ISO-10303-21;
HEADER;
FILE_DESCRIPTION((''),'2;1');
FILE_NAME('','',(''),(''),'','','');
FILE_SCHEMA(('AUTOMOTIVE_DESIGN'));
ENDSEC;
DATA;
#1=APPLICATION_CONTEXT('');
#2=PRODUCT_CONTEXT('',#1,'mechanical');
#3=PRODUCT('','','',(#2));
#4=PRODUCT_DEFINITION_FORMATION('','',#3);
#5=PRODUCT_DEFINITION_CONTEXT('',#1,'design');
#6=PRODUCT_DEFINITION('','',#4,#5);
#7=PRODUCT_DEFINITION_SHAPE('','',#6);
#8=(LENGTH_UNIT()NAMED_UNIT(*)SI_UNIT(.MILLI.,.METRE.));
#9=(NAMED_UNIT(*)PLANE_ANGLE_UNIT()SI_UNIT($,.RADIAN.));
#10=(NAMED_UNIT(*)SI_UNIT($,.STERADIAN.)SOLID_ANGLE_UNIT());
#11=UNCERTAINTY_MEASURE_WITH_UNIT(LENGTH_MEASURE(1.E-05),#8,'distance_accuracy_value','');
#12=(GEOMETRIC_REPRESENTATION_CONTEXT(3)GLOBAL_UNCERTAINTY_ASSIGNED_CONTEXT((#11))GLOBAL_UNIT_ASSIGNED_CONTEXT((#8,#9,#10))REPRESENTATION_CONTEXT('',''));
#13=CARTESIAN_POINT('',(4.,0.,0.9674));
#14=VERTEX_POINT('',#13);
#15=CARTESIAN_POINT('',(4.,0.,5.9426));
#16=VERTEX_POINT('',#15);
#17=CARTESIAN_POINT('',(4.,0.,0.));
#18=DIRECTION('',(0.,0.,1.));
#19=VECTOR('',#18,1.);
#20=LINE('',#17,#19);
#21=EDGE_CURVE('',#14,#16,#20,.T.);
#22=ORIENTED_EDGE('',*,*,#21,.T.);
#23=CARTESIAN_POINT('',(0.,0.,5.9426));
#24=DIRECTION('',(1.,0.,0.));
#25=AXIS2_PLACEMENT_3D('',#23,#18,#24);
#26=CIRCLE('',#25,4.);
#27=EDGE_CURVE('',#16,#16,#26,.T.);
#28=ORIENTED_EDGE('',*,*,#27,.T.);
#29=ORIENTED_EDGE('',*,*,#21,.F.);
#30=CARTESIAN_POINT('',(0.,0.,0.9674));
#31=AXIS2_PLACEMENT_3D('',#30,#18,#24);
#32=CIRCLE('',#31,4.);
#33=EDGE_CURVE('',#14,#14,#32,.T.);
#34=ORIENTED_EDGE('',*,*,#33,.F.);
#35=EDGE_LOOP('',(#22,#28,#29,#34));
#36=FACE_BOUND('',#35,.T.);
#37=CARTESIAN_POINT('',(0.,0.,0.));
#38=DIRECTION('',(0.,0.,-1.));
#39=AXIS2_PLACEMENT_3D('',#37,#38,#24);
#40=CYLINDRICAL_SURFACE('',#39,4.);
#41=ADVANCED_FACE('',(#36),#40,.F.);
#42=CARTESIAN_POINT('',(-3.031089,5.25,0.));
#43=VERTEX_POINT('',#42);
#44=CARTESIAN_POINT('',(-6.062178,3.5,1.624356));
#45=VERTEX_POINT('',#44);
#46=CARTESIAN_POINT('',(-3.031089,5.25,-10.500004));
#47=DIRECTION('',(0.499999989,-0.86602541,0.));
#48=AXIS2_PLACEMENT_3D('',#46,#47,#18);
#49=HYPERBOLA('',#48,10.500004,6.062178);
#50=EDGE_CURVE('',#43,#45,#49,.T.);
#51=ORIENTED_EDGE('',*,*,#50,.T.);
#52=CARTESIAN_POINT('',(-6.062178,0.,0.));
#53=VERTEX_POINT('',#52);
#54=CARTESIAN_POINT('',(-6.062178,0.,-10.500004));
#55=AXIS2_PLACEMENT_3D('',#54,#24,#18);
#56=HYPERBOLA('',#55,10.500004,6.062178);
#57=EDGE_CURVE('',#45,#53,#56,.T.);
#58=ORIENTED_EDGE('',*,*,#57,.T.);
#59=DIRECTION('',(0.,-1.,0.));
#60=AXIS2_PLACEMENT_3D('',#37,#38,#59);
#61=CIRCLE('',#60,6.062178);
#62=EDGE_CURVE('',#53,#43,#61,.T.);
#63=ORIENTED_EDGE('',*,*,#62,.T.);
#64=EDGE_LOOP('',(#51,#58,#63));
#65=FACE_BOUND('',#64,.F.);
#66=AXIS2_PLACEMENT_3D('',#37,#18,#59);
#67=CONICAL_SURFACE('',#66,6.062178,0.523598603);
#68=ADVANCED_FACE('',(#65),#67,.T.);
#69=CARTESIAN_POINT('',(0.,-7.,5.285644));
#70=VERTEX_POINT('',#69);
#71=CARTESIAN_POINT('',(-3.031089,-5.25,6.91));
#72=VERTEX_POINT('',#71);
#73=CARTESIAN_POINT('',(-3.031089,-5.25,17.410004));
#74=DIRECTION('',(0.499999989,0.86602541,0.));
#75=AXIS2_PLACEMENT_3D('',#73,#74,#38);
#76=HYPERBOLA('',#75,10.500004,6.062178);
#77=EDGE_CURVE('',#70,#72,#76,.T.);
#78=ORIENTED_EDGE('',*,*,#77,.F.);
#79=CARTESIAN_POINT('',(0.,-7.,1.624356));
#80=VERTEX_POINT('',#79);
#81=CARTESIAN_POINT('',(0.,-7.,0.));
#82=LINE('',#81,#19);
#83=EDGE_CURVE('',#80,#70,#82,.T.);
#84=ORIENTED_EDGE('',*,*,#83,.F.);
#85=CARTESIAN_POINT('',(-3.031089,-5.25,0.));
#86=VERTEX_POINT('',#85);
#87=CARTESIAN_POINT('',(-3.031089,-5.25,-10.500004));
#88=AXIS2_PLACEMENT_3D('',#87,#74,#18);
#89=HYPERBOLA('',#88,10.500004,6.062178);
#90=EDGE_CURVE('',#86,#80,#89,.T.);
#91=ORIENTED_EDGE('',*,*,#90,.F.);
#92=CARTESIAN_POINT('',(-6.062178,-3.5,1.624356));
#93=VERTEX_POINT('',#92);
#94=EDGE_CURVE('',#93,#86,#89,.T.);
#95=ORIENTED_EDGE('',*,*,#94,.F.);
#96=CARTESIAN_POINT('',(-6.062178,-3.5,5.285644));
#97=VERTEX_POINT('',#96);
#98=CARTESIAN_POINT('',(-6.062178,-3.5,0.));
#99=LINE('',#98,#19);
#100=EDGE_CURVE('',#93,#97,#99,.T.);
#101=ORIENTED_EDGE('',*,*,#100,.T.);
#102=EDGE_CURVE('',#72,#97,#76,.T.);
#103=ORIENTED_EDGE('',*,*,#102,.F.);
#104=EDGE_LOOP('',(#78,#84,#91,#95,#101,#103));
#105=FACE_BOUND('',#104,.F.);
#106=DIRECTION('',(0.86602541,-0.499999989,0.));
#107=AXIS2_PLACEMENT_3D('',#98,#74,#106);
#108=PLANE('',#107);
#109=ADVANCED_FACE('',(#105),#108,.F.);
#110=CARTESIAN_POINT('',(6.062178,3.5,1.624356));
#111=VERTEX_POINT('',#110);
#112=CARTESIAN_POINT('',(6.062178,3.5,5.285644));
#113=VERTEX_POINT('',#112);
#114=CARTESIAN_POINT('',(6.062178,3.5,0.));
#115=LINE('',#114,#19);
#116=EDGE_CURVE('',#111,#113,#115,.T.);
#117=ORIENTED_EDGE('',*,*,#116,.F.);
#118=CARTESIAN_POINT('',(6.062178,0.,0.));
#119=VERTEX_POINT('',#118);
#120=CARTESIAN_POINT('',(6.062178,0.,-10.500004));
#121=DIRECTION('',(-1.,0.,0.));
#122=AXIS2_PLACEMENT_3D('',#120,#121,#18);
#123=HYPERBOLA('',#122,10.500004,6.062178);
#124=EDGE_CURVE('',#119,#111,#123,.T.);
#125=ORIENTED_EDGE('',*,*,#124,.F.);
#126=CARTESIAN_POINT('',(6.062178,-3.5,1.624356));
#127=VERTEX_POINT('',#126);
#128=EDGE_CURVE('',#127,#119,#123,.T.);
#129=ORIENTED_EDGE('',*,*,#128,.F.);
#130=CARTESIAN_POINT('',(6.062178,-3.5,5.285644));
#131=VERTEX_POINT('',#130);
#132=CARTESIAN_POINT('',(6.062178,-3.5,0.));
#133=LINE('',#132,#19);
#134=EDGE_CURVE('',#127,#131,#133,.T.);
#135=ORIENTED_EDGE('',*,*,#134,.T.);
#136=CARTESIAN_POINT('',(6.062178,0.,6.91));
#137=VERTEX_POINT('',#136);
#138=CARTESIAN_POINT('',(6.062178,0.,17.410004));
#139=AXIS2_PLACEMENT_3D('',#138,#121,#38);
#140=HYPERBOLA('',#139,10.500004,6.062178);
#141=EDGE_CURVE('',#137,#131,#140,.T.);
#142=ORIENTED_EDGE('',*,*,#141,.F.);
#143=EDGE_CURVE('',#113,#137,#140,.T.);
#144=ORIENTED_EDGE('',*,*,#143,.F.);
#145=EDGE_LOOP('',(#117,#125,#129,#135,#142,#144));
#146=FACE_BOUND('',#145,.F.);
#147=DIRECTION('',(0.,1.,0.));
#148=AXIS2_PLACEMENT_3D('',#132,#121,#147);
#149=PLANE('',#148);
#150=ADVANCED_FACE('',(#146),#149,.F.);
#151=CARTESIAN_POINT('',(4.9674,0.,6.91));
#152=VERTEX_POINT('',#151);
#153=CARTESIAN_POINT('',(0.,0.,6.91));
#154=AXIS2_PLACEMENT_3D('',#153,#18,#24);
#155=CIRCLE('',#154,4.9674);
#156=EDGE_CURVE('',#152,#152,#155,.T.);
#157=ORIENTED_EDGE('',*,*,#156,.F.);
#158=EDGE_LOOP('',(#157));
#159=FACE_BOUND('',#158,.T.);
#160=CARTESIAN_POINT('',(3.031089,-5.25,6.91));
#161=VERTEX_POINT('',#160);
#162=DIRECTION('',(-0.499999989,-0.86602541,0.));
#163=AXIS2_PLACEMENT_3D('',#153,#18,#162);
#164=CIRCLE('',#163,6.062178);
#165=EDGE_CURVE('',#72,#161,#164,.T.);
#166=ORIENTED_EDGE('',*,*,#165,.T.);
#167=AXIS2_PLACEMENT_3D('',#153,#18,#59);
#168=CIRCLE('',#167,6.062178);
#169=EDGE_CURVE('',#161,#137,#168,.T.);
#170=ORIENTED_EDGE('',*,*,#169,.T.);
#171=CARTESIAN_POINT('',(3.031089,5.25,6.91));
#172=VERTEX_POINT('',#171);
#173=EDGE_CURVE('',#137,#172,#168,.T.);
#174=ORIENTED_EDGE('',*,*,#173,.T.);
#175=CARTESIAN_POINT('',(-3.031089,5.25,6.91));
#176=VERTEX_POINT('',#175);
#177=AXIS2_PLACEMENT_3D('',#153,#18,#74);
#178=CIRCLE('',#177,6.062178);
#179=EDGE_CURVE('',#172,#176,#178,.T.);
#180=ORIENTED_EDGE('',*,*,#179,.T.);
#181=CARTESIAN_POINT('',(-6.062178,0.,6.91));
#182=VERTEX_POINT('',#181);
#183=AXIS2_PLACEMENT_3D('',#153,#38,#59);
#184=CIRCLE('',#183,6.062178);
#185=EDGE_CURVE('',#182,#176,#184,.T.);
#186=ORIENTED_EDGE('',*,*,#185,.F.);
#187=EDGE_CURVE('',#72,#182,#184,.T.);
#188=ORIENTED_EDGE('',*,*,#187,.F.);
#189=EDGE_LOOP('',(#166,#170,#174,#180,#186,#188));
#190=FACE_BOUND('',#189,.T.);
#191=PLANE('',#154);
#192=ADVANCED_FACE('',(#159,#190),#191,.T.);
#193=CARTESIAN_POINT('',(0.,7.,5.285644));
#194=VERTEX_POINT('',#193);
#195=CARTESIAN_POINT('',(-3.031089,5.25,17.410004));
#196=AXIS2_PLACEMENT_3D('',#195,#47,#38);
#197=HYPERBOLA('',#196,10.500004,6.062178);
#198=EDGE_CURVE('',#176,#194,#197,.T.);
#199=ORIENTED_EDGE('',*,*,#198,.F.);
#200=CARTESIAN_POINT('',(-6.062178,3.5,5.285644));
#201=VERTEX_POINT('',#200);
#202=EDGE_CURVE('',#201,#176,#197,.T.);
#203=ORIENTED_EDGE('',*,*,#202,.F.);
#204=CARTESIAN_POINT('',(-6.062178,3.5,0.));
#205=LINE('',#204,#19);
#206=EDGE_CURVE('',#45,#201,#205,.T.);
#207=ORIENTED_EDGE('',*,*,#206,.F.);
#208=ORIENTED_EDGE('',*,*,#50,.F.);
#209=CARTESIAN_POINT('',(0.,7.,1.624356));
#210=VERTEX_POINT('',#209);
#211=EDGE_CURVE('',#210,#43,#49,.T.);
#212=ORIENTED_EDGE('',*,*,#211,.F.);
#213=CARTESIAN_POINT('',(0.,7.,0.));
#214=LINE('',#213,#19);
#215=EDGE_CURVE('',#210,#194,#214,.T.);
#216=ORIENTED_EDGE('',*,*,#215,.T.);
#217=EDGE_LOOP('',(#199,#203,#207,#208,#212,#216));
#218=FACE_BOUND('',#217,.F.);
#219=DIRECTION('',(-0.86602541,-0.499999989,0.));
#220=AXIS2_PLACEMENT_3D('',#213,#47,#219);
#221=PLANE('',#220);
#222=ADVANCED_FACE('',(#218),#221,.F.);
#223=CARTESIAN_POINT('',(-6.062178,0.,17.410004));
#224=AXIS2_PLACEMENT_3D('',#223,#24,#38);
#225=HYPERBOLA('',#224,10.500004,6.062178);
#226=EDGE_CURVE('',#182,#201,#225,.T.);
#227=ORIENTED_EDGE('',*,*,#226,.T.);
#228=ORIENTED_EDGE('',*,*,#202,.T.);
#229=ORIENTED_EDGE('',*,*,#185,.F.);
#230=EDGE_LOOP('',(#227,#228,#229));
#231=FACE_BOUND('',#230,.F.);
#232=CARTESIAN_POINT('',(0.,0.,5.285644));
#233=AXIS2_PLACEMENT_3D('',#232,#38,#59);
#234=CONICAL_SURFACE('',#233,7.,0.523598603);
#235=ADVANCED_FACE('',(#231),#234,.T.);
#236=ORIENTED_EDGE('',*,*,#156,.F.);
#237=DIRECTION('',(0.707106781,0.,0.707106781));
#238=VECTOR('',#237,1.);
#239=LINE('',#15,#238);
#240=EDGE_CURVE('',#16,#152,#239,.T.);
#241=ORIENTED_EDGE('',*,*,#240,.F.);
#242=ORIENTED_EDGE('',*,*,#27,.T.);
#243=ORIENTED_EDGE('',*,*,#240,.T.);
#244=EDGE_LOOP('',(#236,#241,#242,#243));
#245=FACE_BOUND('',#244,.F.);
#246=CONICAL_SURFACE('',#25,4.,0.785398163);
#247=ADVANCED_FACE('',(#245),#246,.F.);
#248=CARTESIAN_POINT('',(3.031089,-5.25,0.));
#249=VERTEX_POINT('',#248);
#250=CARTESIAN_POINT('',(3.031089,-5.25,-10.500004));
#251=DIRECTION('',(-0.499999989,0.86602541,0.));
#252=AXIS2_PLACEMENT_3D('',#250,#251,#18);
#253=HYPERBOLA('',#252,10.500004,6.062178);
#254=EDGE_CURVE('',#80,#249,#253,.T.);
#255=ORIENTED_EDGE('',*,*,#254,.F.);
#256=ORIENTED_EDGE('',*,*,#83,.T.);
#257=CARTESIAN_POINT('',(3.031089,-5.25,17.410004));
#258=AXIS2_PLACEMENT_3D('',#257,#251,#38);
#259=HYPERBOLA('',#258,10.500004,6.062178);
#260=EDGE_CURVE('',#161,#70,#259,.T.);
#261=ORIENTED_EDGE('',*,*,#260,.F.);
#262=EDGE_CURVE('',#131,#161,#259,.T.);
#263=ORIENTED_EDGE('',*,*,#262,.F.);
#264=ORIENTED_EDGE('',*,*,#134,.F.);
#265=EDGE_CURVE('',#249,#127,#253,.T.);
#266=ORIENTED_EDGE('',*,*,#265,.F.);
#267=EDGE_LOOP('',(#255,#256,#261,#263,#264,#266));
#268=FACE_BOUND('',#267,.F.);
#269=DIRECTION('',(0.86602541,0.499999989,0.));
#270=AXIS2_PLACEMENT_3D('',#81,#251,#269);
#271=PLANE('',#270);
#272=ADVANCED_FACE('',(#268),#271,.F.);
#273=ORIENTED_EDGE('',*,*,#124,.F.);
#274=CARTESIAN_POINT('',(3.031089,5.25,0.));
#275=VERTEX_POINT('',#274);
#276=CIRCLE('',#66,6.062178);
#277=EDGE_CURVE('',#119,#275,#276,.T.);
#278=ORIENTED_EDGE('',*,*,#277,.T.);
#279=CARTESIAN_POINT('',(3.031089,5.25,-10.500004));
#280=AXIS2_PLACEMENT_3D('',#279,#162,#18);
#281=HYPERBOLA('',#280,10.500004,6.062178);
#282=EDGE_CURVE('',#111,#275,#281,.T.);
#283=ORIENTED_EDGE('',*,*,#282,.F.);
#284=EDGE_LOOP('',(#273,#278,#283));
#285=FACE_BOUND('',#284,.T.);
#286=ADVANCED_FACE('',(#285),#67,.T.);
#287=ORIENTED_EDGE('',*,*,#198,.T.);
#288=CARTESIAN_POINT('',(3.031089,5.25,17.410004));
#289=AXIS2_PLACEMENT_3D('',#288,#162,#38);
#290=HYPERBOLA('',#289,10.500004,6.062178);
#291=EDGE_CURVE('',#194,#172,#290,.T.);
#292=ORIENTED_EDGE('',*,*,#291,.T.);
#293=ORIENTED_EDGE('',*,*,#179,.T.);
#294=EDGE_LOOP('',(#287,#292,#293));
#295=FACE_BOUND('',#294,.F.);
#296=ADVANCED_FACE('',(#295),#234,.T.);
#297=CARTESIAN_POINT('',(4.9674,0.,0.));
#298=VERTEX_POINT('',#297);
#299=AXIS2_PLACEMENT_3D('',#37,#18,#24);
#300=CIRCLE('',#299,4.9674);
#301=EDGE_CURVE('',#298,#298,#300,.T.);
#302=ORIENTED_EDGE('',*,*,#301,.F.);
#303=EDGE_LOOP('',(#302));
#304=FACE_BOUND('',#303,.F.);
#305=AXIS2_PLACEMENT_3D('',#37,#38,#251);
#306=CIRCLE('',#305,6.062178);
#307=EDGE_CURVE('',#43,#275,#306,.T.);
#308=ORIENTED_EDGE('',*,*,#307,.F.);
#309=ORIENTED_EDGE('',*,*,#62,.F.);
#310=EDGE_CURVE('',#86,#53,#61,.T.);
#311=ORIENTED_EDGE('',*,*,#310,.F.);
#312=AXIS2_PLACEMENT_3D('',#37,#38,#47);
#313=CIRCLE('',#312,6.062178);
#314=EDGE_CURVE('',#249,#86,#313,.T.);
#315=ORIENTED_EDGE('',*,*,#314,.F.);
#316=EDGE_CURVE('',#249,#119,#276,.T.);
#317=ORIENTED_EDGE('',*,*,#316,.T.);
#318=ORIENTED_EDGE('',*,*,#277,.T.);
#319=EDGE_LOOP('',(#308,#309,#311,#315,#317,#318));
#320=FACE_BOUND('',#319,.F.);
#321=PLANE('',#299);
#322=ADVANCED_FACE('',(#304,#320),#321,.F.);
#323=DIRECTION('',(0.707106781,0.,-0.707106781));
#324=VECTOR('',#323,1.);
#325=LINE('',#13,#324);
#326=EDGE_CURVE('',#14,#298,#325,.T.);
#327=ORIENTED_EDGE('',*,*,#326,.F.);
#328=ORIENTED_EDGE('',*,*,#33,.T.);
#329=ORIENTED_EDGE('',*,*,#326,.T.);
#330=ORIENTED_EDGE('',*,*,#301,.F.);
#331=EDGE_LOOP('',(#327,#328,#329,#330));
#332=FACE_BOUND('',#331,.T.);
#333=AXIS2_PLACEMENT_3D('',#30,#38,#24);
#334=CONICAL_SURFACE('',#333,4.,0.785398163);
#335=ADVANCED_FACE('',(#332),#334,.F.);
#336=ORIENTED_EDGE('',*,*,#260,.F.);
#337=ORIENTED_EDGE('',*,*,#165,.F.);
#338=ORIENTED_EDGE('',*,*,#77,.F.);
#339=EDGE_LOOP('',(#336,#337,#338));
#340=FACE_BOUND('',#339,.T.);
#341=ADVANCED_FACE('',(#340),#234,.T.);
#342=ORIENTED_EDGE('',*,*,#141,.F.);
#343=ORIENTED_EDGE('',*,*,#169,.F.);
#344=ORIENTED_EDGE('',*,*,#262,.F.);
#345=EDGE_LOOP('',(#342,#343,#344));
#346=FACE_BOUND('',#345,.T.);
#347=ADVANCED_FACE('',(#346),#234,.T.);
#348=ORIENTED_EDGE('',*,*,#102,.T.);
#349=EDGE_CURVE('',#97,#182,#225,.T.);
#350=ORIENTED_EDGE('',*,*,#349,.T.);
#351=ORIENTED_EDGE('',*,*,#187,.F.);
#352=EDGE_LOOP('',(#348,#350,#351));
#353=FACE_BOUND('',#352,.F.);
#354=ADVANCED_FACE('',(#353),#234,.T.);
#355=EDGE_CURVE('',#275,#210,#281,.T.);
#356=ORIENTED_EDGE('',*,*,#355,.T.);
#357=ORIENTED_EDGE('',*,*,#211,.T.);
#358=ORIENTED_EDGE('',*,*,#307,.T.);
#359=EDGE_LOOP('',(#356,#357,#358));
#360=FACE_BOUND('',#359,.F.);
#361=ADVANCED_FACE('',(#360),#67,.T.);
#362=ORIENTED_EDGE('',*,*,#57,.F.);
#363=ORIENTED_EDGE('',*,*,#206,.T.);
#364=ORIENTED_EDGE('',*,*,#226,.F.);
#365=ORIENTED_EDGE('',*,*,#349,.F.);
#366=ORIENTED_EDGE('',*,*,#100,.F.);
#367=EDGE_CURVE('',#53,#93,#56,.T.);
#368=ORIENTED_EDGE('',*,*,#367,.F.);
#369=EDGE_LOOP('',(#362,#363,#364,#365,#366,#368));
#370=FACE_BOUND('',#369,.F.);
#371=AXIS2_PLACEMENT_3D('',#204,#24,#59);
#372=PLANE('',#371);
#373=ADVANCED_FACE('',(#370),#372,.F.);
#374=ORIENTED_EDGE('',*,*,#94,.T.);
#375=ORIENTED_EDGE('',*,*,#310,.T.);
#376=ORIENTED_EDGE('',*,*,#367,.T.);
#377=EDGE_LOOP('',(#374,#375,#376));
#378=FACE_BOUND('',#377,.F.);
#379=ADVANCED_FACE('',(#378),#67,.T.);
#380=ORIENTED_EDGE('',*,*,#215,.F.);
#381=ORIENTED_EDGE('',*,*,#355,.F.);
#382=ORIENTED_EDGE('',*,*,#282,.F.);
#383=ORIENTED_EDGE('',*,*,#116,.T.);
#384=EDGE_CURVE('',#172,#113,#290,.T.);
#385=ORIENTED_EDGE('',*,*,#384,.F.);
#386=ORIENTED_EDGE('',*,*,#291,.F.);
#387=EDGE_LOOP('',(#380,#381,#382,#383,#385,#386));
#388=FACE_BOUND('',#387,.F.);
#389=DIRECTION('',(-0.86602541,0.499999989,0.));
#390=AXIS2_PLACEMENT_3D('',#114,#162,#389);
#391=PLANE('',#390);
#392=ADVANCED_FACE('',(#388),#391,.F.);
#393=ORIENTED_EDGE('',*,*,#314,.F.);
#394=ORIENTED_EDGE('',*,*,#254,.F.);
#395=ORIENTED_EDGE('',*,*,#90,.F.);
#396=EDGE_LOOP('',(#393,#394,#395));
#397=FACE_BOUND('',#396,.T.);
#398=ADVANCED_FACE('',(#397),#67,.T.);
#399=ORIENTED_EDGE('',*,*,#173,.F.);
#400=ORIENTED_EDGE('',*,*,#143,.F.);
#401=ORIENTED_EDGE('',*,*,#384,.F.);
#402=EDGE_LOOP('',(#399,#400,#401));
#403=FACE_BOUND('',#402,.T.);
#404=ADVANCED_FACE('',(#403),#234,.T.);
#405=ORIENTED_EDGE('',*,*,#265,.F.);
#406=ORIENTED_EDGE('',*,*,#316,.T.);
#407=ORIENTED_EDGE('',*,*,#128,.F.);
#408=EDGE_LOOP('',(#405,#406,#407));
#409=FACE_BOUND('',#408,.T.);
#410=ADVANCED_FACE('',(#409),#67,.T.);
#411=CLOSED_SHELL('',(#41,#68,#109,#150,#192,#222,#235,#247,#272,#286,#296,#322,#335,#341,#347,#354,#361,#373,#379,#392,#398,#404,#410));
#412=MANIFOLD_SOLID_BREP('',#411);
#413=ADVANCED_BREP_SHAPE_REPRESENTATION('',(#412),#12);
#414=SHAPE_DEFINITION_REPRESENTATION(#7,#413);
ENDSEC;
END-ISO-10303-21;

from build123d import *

# Parameters (mm, degrees)
SKETCH_R        = 4
PAD_DEPTH       = 6.91
CHAMFER_SIZE    = 0.9674
CHAMFER001_SIZE = 0.9674
GROOVE_ANGLE    = -360


with BuildPart() as part:
    # Sketch → Pad (new body)
    with BuildSketch(Plane.XY):
        Polygon((0, 7), (-6.062178, 3.5), (-6.062178, -3.5), (0, -7), (6.062178, -3.5), (6.062178, 3.5), align=None)
        Circle(SKETCH_R, mode=Mode.SUBTRACT)
    extrude(amount=PAD_DEPTH)

    # Chamfer
    chamfer_edges = [part.edges().sort_by_distance(p)[0] for p in [
        (-4, 0, 6.91),
    ]]
    chamfer(chamfer_edges, length=CHAMFER_SIZE)

    # Chamfer001
    chamfer001_edges = [part.edges().sort_by_distance(p)[0] for p in [
        (-4, 0, 0),
    ]]
    chamfer(chamfer001_edges, length=CHAMFER001_SIZE)

    # Sketch001 → Groove (revolve, symmetric, cut)
    with BuildSketch(Plane.YZ) as groove_sk:
        Polygon((-6.062178, 6.91), (-7, 6.91), (-7, 5.285644), align=None)
        Polygon((-7, 1.624356), (-7, 0), (-6.062178, 0), align=None)
    revolve(axis=Axis((0, 0, 0), (0, 0, 1)), revolution_arc=GROOVE_ANGLE / 2, mode=Mode.SUBTRACT)
    revolve(groove_sk.sketch, axis=Axis((0, 0, 0), (0, 0, -1)), revolution_arc=GROOVE_ANGLE / 2, mode=Mode.SUBTRACT)


solid = part.part
